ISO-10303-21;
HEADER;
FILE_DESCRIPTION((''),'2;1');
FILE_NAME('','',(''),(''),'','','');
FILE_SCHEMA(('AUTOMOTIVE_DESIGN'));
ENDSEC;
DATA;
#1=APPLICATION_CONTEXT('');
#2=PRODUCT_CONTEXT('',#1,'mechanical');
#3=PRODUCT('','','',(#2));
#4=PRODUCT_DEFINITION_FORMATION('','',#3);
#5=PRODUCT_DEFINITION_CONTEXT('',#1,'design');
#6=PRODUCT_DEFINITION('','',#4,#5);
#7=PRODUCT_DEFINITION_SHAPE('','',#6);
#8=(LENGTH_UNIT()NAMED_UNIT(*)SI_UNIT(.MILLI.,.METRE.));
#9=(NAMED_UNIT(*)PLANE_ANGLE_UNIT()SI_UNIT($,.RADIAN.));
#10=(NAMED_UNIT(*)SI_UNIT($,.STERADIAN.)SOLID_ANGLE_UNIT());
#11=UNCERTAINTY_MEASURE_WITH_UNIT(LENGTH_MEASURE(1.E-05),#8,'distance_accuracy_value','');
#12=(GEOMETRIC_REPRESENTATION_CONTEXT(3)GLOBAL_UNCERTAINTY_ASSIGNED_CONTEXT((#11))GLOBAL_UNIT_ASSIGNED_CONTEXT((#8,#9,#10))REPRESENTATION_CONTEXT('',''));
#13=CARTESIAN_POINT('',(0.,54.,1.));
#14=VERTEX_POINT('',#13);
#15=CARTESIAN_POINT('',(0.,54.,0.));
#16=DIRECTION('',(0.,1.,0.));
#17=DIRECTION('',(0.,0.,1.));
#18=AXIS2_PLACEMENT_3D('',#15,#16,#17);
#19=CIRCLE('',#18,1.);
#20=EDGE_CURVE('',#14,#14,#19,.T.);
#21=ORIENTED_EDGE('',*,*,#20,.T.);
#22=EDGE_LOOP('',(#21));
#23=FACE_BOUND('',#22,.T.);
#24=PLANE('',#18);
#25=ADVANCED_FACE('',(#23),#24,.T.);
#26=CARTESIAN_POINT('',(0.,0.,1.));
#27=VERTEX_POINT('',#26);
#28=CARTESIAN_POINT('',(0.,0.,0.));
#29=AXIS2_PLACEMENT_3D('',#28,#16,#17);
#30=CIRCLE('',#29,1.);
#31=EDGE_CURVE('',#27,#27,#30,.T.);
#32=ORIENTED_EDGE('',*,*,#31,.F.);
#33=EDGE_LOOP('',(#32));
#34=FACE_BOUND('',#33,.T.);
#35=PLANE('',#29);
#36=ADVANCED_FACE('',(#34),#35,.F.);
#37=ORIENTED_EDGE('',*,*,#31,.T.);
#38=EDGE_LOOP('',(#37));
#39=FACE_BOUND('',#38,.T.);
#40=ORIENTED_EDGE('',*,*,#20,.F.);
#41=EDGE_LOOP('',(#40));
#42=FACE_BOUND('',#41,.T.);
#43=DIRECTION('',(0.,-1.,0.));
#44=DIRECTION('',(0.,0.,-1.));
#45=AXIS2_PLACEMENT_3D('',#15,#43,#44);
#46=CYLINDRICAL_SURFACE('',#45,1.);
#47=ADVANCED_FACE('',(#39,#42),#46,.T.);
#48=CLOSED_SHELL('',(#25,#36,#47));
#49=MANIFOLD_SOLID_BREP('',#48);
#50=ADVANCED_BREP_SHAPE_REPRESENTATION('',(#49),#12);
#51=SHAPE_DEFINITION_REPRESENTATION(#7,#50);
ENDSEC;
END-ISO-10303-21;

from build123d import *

# Parameters (mm, degrees)
SKETCH1_R           = 1
BOSS_EXTRUDE1_DEPTH = 54


with BuildPart() as part:
    # Sketch1 → Boss-Extrude1 (new body)
    with BuildSketch(Plane(origin=(0, 0, 0), x_dir=(1, 0, 0), z_dir=(0, 1, 0))):
        with Locations(Location((0, 0, 0), (0, 0, 270))):
            Circle(SKETCH1_R)
    extrude(amount=BOSS_EXTRUDE1_DEPTH)


solid = part.part
